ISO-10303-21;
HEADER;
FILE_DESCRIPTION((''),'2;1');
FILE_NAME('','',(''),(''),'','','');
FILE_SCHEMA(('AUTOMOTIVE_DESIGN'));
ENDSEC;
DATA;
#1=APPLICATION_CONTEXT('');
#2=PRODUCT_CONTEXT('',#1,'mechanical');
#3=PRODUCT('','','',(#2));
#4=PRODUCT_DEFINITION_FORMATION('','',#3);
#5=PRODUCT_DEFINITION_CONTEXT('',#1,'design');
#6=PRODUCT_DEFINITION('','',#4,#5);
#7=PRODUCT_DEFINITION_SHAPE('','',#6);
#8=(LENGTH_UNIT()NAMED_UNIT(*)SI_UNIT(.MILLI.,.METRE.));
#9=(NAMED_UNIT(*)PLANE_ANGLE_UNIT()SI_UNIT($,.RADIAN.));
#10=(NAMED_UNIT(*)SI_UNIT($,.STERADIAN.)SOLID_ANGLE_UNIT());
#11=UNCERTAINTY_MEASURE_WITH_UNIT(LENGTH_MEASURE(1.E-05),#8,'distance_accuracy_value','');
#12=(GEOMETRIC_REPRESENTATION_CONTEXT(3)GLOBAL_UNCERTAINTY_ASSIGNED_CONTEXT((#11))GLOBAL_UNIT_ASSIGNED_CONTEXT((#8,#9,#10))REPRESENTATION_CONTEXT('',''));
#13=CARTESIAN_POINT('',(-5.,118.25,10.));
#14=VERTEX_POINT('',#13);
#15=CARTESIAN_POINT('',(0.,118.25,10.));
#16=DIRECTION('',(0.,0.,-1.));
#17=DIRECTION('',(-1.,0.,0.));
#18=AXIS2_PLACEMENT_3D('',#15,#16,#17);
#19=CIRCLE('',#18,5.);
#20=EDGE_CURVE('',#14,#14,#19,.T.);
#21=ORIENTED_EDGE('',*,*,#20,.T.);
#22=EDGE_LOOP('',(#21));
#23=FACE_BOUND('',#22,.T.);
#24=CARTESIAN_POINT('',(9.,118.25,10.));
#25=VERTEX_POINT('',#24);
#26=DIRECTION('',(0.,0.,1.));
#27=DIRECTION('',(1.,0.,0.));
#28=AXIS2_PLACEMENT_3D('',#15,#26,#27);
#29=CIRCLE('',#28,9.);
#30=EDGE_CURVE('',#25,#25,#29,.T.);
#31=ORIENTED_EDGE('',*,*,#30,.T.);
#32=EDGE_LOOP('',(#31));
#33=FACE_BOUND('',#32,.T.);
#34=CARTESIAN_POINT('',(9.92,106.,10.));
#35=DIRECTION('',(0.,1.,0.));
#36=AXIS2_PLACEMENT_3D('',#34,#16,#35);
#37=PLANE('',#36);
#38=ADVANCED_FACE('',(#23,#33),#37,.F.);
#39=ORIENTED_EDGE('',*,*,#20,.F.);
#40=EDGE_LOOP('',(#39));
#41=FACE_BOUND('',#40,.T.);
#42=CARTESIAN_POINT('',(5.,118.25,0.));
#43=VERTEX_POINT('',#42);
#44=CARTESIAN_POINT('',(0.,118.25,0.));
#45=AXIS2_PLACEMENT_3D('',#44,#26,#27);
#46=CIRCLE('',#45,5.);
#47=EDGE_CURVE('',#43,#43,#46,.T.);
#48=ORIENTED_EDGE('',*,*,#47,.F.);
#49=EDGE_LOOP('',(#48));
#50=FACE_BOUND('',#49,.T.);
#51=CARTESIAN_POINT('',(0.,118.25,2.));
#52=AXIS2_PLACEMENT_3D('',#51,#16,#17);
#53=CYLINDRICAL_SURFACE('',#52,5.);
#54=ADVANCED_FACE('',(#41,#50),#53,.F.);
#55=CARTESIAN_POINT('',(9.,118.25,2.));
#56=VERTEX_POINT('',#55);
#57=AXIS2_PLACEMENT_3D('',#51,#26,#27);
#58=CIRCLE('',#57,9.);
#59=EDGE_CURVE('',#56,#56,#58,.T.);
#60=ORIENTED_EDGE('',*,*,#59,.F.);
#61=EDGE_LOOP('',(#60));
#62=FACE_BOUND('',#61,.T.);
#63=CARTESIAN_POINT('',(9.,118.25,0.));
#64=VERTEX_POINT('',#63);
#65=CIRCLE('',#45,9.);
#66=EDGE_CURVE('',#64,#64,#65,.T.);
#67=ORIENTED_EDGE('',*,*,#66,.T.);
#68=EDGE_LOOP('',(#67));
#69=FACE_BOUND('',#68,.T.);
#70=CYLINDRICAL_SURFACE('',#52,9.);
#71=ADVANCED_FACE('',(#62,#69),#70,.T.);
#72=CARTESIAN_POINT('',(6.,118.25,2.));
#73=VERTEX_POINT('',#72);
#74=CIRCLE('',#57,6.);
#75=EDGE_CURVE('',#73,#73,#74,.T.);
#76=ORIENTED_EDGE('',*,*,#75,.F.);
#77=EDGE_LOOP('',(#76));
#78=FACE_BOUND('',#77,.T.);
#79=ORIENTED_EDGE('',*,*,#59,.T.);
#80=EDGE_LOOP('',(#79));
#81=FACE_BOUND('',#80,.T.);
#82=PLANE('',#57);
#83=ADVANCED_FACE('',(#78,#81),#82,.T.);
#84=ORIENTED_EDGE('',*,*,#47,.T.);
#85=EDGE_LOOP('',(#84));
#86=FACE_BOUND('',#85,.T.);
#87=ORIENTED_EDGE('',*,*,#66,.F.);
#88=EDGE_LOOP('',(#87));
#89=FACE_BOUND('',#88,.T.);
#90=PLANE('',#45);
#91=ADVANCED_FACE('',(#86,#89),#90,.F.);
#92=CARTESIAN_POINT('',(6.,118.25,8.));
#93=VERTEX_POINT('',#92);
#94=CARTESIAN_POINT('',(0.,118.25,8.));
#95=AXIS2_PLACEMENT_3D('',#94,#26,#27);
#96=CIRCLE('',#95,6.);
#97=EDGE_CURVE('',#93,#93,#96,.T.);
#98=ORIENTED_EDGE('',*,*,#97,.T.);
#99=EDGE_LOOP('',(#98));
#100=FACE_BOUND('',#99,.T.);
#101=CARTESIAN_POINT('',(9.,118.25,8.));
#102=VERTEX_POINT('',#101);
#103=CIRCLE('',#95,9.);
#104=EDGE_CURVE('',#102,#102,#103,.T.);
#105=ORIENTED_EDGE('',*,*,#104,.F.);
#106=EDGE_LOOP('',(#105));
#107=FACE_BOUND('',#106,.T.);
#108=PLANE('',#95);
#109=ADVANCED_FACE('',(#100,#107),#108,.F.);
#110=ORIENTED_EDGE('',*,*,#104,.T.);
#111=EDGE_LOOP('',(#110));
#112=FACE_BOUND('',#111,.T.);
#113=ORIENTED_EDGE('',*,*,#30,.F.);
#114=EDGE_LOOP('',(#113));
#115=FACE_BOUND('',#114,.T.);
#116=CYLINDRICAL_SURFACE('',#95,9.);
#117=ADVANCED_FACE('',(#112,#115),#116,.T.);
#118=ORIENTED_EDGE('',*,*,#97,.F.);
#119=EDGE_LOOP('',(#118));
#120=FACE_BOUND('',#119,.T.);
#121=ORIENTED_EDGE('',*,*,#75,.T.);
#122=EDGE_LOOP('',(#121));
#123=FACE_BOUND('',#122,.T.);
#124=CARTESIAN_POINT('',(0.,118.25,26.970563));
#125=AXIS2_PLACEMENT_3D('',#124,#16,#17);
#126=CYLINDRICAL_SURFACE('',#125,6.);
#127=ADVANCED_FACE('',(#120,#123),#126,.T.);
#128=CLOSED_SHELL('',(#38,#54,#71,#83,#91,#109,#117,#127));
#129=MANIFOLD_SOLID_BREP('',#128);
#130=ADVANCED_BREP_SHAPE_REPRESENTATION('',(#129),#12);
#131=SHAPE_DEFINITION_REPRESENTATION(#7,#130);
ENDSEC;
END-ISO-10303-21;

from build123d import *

# Parameters (mm, degrees)
SKETCH_1_R      = 9
SKETCH_1_R_2    = 5
EXTRUDE_1_DEPTH = 2
SKETCH_2_R      = 6
SKETCH_2_R_2    = 5
EXTRUDE_2_DEPTH = 8
EXTRUDE_START   = -2
SKETCH_3_R      = 9
SKETCH_3_R_2    = 5
EXTRUDE_3_DEPTH = 2


with BuildPart() as part:
    # 草图1 → 凸台-拉伸1 (new body)
    with BuildSketch(Plane.XY):
        with Locations((0, 118.25)):
            Circle(SKETCH_1_R)
        with Locations((0, 118.25)):
            Circle(SKETCH_1_R_2, mode=Mode.SUBTRACT)
    extrude(amount=EXTRUDE_1_DEPTH)

    # 草图2 → 凸台-拉伸2 (add)
    with BuildSketch(Plane.XY.offset(2)):
        with Locations(Location((0, 118.25, 0), (0, 0, 180))):
            Circle(SKETCH_2_R)
        with Locations(Location((0, 118.25, 0), (0, 0, 180))):
            Circle(SKETCH_2_R_2, mode=Mode.SUBTRACT)
    extrude(amount=EXTRUDE_2_DEPTH)

    # 草图3 → 凸台-拉伸3 (add)
    with BuildSketch(Plane.XY.offset(10).offset(EXTRUDE_START)):
        with Locations((0, 118.25)):
            Circle(SKETCH_3_R)
        with Locations(Location((0, 118.25, 0), (0, 0, 180))):
            Circle(SKETCH_3_R_2, mode=Mode.SUBTRACT)
    extrude(amount=EXTRUDE_3_DEPTH)


solid = part.part
